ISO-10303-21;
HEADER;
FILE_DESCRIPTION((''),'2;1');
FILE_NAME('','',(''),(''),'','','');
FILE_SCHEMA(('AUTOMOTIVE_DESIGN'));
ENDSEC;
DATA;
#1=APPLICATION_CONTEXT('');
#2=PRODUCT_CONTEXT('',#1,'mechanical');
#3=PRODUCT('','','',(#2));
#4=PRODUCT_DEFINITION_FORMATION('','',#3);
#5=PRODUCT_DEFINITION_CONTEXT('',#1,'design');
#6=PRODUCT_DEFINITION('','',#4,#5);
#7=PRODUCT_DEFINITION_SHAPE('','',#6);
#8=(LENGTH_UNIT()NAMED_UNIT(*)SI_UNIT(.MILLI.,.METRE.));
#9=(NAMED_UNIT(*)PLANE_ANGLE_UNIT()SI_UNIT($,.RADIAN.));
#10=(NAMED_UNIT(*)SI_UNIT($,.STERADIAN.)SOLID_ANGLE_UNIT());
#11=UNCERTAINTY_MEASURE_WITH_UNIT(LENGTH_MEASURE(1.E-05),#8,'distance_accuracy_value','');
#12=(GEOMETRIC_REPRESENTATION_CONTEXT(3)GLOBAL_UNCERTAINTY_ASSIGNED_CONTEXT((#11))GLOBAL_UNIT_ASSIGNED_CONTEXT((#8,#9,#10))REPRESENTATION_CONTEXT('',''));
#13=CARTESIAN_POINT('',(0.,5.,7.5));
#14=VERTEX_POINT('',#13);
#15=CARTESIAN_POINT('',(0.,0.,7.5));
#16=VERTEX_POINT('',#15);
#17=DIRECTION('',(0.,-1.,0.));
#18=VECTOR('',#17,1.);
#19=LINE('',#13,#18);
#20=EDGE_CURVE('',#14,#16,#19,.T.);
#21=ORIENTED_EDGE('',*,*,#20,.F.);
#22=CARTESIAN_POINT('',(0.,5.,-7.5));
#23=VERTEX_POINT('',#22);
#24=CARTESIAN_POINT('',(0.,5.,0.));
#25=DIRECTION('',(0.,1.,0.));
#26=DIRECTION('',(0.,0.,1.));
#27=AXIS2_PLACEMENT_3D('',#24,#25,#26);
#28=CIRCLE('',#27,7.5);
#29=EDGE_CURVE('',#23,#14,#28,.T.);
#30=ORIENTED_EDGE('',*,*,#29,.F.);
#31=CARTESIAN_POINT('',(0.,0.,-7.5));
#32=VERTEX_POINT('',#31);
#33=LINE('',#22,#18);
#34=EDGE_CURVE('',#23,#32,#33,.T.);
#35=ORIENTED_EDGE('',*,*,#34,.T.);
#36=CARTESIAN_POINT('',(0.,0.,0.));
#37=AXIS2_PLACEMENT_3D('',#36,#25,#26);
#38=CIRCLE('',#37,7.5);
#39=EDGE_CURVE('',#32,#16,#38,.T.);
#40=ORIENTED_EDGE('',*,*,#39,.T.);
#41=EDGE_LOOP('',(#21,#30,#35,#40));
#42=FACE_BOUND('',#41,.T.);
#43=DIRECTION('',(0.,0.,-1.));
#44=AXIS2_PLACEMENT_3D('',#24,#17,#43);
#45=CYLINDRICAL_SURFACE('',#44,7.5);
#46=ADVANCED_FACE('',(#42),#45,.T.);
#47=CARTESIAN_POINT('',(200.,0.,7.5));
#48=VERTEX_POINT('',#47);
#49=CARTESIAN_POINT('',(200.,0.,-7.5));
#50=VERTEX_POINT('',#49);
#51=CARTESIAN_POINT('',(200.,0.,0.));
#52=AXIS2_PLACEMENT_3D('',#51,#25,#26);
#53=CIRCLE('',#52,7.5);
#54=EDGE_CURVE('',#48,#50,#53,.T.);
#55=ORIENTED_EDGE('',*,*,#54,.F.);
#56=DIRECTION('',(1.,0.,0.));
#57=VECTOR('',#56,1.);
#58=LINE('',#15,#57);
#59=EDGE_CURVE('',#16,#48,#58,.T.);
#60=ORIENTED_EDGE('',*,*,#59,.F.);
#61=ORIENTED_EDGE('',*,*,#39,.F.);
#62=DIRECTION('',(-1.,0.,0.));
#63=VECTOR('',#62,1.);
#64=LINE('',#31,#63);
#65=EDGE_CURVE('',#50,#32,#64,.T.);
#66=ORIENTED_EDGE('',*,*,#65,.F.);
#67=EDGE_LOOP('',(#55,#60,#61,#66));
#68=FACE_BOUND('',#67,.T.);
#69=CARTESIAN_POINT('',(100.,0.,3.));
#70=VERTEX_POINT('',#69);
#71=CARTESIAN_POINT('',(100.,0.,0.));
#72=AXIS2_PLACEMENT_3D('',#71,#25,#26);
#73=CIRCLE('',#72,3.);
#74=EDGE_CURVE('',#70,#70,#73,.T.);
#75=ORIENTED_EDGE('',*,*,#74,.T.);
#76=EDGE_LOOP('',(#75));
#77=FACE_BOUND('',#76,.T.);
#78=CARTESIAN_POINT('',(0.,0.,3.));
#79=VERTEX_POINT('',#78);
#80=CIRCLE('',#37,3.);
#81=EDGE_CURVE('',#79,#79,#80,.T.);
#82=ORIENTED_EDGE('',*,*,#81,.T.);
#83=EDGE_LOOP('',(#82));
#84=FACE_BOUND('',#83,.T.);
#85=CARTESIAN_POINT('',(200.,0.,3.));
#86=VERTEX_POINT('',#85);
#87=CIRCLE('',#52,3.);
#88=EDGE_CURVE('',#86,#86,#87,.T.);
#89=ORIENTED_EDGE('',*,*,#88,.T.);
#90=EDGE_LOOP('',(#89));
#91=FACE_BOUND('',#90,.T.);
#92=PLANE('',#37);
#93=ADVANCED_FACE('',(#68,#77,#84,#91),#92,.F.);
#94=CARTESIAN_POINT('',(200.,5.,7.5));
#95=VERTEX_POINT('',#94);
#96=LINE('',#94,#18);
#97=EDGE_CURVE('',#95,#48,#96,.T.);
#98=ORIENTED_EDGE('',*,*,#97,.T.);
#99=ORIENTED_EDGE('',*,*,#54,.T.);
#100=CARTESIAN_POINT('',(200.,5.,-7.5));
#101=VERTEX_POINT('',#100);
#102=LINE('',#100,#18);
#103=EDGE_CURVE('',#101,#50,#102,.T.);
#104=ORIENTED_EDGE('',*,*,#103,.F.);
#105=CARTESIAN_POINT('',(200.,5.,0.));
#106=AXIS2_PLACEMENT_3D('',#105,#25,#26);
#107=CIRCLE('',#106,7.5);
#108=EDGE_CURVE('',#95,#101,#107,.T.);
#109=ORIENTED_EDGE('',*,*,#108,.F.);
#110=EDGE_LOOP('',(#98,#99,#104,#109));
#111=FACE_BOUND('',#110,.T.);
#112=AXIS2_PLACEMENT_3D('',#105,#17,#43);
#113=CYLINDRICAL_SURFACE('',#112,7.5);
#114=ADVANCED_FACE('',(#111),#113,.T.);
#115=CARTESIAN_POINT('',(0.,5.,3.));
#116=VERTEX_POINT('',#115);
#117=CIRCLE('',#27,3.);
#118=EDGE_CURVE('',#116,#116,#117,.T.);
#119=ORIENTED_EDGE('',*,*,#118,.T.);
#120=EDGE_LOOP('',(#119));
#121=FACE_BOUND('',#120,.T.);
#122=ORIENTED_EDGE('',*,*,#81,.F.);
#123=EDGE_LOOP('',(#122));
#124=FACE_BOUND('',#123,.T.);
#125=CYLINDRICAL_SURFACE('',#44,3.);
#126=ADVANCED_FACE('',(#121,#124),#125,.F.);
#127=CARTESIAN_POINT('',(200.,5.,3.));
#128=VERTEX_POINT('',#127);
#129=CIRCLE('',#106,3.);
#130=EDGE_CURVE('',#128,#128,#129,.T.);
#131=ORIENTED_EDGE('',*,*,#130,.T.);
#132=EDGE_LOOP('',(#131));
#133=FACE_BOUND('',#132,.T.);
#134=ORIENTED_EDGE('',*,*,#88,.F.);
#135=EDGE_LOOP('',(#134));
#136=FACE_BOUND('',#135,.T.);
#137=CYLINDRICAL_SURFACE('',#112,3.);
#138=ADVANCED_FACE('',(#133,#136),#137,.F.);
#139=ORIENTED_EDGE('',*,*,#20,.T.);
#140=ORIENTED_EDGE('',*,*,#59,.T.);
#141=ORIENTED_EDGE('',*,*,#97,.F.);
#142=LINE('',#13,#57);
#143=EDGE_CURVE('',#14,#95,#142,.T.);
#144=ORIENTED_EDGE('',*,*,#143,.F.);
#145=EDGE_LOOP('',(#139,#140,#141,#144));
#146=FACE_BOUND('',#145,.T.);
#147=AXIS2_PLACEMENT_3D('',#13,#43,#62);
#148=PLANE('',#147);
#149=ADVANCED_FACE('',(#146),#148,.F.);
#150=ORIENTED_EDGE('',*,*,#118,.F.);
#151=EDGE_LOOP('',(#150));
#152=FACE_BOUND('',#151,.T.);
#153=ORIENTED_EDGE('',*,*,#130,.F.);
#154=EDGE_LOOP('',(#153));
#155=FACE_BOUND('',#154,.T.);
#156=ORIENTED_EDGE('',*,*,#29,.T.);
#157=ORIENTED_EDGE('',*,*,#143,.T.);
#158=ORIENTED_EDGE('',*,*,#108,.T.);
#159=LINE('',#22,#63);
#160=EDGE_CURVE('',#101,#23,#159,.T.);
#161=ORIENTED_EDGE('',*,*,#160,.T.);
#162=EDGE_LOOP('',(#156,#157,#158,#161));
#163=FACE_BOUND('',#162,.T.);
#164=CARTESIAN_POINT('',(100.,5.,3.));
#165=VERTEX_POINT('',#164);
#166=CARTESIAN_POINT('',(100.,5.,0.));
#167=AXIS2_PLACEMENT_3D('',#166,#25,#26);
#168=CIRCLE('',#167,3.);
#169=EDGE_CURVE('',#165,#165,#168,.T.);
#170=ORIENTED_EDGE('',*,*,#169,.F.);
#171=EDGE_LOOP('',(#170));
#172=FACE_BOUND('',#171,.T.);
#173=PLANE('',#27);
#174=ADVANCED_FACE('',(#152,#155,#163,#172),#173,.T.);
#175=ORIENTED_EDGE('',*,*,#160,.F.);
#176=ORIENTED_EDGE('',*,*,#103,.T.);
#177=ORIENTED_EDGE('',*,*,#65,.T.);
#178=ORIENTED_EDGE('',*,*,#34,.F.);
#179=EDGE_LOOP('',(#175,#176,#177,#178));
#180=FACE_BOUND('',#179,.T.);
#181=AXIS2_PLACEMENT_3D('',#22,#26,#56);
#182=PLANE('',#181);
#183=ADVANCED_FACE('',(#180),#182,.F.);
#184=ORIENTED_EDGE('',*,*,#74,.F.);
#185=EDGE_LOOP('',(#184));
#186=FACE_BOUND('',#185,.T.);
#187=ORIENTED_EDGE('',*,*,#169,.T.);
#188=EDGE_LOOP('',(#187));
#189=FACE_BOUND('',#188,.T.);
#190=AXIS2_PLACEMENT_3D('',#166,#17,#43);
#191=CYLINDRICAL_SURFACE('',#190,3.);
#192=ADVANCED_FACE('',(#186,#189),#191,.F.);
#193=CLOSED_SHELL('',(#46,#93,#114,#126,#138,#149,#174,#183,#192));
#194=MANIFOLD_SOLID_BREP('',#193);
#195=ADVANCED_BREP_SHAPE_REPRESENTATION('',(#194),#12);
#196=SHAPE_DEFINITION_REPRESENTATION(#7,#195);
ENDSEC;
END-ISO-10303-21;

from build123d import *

# Parameters (mm, degrees)
SKETCH1_R           = 3
BOSS_EXTRUDE1_DEPTH = 5


with BuildPart() as part:
    # Sketch1 → Boss-Extrude1 (new body)
    with BuildSketch(Plane(origin=(0, 0, 0), x_dir=(1, 0, 0), z_dir=(0, 1, 0))):
        with BuildLine():
            Line((0, 7.5), (200, 7.5))
            ThreePointArc((200, 7.5), (207.5, 0), (200, -7.5))
            Line((200, -7.5), (0, -7.5))
            ThreePointArc((0, -7.5), (-7.5, 0), (0, 7.5))
        make_face()
        with Locations((200, 0)):
            Circle(SKETCH1_R, mode=Mode.SUBTRACT)
        Circle(SKETCH1_R, mode=Mode.SUBTRACT)
        with Locations((100, 0)):
            Circle(SKETCH1_R, mode=Mode.SUBTRACT)
    extrude(amount=BOSS_EXTRUDE1_DEPTH)


solid = part.part
